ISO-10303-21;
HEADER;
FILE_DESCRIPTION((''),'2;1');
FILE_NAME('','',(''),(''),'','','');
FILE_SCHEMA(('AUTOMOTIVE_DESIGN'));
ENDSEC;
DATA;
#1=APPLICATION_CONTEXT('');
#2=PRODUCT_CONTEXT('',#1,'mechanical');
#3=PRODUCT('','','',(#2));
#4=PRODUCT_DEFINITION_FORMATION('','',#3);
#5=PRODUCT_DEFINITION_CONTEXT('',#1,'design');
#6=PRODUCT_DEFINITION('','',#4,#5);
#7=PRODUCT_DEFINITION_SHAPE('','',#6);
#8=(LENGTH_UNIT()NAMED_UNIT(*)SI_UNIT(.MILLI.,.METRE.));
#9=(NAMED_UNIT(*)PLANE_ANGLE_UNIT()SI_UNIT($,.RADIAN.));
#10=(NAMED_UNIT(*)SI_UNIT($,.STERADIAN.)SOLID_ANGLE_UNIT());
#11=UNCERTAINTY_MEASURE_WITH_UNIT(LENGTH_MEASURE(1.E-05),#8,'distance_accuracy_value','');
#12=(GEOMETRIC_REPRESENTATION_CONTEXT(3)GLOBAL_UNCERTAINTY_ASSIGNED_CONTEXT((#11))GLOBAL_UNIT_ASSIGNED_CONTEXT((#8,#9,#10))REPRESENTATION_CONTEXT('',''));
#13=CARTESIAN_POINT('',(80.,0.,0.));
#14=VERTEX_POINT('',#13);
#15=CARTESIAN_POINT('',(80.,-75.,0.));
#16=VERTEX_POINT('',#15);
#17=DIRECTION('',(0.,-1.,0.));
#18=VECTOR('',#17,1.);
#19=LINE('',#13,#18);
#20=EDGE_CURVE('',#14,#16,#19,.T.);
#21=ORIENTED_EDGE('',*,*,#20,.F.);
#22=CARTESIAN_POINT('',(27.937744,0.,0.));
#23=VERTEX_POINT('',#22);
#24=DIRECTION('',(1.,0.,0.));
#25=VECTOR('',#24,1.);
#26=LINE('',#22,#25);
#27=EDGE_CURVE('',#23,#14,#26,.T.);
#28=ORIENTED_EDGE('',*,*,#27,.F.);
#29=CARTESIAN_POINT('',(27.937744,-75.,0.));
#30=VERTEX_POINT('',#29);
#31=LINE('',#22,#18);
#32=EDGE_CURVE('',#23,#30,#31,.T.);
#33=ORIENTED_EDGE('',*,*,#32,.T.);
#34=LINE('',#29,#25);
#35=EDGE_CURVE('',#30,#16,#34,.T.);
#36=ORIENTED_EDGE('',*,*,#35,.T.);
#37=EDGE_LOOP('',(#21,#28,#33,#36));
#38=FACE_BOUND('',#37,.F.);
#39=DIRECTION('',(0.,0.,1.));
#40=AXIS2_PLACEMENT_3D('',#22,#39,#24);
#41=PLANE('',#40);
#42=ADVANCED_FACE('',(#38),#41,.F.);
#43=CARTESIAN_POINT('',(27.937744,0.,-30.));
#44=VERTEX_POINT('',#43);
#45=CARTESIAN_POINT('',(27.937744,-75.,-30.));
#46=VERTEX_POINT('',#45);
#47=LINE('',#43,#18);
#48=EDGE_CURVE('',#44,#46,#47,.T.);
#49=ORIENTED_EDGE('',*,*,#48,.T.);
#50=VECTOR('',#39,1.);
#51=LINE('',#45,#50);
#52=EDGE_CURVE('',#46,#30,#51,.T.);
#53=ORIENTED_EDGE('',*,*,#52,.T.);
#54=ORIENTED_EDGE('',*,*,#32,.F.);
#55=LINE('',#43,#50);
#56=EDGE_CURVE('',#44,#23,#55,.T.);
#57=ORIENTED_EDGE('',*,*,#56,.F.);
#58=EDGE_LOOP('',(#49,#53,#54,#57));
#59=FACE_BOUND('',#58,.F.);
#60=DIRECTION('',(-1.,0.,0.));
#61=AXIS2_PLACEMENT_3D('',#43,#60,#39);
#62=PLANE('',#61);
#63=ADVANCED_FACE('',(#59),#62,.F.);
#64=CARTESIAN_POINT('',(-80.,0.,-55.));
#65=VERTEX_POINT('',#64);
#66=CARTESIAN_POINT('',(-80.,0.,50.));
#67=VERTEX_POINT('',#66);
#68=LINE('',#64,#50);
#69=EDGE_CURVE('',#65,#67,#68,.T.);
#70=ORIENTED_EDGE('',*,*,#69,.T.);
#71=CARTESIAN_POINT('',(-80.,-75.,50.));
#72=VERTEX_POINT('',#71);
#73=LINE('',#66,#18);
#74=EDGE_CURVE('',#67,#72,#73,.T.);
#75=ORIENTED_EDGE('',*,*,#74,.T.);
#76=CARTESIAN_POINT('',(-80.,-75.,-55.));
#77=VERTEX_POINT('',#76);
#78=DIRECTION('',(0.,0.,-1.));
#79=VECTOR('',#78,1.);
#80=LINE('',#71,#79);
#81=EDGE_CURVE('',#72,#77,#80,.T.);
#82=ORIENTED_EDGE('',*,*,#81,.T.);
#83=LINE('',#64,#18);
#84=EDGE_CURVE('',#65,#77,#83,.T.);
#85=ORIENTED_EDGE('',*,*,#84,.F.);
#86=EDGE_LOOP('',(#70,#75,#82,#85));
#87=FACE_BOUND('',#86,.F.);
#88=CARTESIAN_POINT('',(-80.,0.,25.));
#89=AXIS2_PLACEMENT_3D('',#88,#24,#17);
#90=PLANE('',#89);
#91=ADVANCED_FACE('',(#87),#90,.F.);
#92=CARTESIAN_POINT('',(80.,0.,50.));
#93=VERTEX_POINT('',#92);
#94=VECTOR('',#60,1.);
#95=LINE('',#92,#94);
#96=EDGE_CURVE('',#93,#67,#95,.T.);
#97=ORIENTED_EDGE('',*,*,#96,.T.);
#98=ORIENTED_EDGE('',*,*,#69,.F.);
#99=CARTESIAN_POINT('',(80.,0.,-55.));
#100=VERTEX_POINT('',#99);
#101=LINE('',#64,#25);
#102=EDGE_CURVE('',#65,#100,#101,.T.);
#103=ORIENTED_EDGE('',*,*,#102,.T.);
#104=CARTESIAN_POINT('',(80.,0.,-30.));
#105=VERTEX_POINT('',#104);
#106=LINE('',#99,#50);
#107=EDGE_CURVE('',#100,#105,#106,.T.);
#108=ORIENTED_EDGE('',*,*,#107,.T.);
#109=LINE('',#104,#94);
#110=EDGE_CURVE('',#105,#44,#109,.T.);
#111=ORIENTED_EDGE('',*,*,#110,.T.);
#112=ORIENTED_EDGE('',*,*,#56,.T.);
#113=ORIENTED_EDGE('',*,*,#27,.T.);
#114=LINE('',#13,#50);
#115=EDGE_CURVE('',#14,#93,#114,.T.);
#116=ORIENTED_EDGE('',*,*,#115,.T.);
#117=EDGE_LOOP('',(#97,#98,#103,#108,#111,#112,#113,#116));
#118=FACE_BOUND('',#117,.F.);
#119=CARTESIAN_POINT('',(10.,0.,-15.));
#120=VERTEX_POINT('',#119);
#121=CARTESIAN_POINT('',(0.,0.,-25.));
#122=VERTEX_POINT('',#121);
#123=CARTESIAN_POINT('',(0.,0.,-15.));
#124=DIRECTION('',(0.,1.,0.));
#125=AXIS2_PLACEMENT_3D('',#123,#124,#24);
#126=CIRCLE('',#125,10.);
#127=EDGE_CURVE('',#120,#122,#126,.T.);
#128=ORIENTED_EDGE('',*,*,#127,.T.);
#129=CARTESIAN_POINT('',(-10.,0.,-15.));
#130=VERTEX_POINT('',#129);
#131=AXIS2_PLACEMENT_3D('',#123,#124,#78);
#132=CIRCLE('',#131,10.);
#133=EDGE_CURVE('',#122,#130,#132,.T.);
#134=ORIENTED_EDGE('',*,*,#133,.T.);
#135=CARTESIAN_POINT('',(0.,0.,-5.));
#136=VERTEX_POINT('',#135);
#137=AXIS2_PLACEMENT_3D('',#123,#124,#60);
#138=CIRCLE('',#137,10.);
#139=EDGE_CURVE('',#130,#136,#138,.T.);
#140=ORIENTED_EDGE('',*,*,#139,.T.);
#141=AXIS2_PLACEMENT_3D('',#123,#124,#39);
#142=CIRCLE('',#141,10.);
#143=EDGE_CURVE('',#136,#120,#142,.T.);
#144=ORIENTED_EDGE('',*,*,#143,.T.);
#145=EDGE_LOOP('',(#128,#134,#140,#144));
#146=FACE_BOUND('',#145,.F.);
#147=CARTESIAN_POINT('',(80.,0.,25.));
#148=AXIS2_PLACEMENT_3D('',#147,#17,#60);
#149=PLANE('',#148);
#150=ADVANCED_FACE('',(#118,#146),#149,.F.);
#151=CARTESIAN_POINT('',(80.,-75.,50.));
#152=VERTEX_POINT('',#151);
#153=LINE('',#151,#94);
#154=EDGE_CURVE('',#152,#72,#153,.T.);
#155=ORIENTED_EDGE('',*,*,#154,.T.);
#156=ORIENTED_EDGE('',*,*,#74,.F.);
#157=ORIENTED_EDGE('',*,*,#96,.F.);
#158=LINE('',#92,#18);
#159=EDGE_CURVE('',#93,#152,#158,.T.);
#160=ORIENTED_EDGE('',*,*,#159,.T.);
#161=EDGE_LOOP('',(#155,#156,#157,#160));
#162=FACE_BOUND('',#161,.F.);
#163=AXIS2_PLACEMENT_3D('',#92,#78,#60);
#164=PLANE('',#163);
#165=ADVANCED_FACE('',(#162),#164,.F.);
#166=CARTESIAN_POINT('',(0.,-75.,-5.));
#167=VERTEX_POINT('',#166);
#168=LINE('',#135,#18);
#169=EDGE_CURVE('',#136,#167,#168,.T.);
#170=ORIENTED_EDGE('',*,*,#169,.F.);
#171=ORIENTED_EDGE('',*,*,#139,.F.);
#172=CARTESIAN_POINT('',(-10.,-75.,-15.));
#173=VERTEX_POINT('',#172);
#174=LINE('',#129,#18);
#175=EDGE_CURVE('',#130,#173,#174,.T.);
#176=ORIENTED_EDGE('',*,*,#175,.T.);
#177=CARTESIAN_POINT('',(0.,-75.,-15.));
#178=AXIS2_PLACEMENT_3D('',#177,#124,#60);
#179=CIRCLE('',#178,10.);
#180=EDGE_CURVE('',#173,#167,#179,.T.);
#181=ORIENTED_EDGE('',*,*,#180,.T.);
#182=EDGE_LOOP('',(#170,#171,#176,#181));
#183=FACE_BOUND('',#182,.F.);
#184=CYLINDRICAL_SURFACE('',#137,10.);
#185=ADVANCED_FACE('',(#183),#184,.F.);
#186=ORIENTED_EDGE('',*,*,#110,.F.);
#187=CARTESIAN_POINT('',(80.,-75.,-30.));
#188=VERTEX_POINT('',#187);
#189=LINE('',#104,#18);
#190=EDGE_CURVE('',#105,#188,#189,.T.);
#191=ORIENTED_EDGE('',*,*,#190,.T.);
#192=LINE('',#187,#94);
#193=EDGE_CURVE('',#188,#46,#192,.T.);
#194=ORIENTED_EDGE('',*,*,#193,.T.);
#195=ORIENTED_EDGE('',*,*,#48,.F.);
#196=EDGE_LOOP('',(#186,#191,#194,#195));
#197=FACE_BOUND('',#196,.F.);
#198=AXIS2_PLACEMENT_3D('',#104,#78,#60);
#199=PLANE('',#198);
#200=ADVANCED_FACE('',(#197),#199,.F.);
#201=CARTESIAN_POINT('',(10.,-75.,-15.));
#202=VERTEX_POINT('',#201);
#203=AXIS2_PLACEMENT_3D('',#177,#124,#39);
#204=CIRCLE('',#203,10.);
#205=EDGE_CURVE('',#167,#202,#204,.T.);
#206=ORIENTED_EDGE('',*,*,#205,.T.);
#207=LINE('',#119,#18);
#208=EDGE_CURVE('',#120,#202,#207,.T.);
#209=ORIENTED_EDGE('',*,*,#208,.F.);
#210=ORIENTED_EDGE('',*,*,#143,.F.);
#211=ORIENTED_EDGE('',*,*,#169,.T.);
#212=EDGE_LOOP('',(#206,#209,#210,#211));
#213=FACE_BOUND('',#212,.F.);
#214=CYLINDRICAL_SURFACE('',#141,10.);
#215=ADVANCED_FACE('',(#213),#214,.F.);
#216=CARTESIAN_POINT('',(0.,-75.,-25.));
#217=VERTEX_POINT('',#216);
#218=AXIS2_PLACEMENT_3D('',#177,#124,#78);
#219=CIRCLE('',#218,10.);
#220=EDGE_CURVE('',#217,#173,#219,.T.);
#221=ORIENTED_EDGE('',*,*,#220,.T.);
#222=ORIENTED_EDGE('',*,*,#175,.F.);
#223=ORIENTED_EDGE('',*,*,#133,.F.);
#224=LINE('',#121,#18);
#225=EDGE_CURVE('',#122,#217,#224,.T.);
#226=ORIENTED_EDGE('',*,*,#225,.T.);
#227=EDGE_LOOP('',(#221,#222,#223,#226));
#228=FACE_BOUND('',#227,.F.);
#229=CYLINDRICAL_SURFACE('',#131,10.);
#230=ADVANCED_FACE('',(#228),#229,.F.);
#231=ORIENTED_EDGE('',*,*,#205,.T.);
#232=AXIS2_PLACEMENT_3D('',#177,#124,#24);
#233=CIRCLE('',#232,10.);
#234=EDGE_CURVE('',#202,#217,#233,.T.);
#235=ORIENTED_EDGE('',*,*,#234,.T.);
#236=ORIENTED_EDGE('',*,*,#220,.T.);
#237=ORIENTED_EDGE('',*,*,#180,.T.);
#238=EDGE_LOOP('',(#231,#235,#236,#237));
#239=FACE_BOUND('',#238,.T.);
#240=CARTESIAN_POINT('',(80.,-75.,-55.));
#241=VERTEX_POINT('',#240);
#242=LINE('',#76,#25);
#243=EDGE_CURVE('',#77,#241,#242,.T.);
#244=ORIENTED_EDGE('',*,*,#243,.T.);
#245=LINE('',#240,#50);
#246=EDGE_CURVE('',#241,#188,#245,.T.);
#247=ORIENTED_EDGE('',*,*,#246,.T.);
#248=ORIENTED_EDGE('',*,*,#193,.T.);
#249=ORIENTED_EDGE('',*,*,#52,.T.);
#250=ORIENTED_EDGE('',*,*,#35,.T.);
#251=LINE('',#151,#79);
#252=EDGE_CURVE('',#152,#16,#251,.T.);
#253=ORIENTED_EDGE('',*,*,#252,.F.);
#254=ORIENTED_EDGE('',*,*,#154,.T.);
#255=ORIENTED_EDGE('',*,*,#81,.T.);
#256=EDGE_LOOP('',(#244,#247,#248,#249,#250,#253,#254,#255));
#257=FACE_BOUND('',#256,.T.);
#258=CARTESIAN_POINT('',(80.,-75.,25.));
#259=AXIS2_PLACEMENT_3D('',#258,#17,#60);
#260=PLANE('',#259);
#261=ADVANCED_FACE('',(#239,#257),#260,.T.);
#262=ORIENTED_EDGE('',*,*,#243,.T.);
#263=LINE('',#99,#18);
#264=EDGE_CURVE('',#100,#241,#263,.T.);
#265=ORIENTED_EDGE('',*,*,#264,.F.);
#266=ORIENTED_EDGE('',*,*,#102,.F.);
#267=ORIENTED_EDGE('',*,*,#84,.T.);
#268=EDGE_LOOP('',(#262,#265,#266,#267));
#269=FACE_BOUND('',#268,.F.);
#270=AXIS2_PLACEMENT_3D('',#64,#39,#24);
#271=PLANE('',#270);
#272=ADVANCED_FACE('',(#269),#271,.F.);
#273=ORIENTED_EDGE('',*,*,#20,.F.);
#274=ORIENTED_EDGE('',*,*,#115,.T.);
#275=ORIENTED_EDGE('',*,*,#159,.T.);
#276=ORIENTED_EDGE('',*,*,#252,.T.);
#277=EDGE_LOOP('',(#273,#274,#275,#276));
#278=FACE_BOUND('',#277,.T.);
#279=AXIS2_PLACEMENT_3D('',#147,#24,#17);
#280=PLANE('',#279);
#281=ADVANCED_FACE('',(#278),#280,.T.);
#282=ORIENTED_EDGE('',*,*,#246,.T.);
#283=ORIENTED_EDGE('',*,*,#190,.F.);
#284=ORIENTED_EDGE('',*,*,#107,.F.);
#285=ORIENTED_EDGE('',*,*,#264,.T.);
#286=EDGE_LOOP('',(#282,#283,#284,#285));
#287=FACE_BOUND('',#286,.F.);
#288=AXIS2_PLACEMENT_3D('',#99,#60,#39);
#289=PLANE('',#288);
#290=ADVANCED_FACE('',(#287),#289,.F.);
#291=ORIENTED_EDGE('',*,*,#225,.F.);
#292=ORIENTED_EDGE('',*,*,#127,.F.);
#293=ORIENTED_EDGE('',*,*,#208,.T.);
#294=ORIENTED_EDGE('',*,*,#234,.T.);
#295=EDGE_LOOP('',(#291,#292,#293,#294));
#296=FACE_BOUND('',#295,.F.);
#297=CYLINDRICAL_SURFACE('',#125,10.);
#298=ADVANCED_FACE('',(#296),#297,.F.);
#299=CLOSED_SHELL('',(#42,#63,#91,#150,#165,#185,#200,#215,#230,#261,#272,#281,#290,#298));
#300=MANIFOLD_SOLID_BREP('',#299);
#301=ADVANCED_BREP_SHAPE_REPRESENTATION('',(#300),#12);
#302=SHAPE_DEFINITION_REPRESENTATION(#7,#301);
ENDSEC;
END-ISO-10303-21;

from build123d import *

# Parameters (mm, degrees)
F0_W     = 63
F0_H     = 40
F1_DEPTH = 75
F2_DEPTH = 25


with BuildPart() as f1:
    # F0 (on Front) → F1 (new body)
    with BuildSketch(Plane.XZ):
        with Locations((-48.5, 5)):
            Rectangle(F0_W, F0_H)
        Polygon((80, 25), (17, 25), (17, -15), (27.937743758, -15), (27.937743758, 0), (80, 0), align=None)
        with BuildLine():
            Line((17, 25), (0, 25))
            Line((0, 25), (0, -5))
            ThreePointArc((0, -5), (7.0710678119, -7.9289321881), (10, -15))
            Line((10, -15), (17, -15))
            Line((17, -15), (17, 25))
        make_face()
        with BuildLine():
            Line((0, 25), (-17, 25))
            Line((-17, 25), (-17, -15))
            Line((-17, -15), (-10, -15))
            ThreePointArc((-10, -15), (-7.0710678119, -7.9289321881), (0, -5))
            Line((0, -5), (0, 25))
        make_face()
        with Locations((-48.5, -35)):
            Rectangle(F0_W, F0_H)
        Polygon((27.937743758, -15), (17, -15), (17, -55), (80, -55), (80, -30), (27.937743758, -30), align=None)
        with BuildLine():
            Line((-10, -15), (-17, -15))
            Line((-17, -15), (-17, -55))
            Line((-17, -55), (0, -55))
            Line((0, -55), (0, -25))
            ThreePointArc((0, -25), (-7.0710678119, -22.0710678119), (-10, -15))
        make_face()
        with BuildLine():
            Line((17, -55), (17, -15))
            Line((17, -15), (10, -15))
            ThreePointArc((10, -15), (7.0710678119, -22.0710678119), (0, -25))
            Line((0, -25), (0, -55))
            Line((0, -55), (17, -55))
        make_face()
    extrude(amount=F1_DEPTH)

    # F2 (add): a face of the model
    f2_faces = [f1.faces().sort_by_distance(p)[0] for p in [
        (0, -37.5, 25),
    ]]
    extrude(f2_faces, amount=F2_DEPTH)


solid = f1.part
